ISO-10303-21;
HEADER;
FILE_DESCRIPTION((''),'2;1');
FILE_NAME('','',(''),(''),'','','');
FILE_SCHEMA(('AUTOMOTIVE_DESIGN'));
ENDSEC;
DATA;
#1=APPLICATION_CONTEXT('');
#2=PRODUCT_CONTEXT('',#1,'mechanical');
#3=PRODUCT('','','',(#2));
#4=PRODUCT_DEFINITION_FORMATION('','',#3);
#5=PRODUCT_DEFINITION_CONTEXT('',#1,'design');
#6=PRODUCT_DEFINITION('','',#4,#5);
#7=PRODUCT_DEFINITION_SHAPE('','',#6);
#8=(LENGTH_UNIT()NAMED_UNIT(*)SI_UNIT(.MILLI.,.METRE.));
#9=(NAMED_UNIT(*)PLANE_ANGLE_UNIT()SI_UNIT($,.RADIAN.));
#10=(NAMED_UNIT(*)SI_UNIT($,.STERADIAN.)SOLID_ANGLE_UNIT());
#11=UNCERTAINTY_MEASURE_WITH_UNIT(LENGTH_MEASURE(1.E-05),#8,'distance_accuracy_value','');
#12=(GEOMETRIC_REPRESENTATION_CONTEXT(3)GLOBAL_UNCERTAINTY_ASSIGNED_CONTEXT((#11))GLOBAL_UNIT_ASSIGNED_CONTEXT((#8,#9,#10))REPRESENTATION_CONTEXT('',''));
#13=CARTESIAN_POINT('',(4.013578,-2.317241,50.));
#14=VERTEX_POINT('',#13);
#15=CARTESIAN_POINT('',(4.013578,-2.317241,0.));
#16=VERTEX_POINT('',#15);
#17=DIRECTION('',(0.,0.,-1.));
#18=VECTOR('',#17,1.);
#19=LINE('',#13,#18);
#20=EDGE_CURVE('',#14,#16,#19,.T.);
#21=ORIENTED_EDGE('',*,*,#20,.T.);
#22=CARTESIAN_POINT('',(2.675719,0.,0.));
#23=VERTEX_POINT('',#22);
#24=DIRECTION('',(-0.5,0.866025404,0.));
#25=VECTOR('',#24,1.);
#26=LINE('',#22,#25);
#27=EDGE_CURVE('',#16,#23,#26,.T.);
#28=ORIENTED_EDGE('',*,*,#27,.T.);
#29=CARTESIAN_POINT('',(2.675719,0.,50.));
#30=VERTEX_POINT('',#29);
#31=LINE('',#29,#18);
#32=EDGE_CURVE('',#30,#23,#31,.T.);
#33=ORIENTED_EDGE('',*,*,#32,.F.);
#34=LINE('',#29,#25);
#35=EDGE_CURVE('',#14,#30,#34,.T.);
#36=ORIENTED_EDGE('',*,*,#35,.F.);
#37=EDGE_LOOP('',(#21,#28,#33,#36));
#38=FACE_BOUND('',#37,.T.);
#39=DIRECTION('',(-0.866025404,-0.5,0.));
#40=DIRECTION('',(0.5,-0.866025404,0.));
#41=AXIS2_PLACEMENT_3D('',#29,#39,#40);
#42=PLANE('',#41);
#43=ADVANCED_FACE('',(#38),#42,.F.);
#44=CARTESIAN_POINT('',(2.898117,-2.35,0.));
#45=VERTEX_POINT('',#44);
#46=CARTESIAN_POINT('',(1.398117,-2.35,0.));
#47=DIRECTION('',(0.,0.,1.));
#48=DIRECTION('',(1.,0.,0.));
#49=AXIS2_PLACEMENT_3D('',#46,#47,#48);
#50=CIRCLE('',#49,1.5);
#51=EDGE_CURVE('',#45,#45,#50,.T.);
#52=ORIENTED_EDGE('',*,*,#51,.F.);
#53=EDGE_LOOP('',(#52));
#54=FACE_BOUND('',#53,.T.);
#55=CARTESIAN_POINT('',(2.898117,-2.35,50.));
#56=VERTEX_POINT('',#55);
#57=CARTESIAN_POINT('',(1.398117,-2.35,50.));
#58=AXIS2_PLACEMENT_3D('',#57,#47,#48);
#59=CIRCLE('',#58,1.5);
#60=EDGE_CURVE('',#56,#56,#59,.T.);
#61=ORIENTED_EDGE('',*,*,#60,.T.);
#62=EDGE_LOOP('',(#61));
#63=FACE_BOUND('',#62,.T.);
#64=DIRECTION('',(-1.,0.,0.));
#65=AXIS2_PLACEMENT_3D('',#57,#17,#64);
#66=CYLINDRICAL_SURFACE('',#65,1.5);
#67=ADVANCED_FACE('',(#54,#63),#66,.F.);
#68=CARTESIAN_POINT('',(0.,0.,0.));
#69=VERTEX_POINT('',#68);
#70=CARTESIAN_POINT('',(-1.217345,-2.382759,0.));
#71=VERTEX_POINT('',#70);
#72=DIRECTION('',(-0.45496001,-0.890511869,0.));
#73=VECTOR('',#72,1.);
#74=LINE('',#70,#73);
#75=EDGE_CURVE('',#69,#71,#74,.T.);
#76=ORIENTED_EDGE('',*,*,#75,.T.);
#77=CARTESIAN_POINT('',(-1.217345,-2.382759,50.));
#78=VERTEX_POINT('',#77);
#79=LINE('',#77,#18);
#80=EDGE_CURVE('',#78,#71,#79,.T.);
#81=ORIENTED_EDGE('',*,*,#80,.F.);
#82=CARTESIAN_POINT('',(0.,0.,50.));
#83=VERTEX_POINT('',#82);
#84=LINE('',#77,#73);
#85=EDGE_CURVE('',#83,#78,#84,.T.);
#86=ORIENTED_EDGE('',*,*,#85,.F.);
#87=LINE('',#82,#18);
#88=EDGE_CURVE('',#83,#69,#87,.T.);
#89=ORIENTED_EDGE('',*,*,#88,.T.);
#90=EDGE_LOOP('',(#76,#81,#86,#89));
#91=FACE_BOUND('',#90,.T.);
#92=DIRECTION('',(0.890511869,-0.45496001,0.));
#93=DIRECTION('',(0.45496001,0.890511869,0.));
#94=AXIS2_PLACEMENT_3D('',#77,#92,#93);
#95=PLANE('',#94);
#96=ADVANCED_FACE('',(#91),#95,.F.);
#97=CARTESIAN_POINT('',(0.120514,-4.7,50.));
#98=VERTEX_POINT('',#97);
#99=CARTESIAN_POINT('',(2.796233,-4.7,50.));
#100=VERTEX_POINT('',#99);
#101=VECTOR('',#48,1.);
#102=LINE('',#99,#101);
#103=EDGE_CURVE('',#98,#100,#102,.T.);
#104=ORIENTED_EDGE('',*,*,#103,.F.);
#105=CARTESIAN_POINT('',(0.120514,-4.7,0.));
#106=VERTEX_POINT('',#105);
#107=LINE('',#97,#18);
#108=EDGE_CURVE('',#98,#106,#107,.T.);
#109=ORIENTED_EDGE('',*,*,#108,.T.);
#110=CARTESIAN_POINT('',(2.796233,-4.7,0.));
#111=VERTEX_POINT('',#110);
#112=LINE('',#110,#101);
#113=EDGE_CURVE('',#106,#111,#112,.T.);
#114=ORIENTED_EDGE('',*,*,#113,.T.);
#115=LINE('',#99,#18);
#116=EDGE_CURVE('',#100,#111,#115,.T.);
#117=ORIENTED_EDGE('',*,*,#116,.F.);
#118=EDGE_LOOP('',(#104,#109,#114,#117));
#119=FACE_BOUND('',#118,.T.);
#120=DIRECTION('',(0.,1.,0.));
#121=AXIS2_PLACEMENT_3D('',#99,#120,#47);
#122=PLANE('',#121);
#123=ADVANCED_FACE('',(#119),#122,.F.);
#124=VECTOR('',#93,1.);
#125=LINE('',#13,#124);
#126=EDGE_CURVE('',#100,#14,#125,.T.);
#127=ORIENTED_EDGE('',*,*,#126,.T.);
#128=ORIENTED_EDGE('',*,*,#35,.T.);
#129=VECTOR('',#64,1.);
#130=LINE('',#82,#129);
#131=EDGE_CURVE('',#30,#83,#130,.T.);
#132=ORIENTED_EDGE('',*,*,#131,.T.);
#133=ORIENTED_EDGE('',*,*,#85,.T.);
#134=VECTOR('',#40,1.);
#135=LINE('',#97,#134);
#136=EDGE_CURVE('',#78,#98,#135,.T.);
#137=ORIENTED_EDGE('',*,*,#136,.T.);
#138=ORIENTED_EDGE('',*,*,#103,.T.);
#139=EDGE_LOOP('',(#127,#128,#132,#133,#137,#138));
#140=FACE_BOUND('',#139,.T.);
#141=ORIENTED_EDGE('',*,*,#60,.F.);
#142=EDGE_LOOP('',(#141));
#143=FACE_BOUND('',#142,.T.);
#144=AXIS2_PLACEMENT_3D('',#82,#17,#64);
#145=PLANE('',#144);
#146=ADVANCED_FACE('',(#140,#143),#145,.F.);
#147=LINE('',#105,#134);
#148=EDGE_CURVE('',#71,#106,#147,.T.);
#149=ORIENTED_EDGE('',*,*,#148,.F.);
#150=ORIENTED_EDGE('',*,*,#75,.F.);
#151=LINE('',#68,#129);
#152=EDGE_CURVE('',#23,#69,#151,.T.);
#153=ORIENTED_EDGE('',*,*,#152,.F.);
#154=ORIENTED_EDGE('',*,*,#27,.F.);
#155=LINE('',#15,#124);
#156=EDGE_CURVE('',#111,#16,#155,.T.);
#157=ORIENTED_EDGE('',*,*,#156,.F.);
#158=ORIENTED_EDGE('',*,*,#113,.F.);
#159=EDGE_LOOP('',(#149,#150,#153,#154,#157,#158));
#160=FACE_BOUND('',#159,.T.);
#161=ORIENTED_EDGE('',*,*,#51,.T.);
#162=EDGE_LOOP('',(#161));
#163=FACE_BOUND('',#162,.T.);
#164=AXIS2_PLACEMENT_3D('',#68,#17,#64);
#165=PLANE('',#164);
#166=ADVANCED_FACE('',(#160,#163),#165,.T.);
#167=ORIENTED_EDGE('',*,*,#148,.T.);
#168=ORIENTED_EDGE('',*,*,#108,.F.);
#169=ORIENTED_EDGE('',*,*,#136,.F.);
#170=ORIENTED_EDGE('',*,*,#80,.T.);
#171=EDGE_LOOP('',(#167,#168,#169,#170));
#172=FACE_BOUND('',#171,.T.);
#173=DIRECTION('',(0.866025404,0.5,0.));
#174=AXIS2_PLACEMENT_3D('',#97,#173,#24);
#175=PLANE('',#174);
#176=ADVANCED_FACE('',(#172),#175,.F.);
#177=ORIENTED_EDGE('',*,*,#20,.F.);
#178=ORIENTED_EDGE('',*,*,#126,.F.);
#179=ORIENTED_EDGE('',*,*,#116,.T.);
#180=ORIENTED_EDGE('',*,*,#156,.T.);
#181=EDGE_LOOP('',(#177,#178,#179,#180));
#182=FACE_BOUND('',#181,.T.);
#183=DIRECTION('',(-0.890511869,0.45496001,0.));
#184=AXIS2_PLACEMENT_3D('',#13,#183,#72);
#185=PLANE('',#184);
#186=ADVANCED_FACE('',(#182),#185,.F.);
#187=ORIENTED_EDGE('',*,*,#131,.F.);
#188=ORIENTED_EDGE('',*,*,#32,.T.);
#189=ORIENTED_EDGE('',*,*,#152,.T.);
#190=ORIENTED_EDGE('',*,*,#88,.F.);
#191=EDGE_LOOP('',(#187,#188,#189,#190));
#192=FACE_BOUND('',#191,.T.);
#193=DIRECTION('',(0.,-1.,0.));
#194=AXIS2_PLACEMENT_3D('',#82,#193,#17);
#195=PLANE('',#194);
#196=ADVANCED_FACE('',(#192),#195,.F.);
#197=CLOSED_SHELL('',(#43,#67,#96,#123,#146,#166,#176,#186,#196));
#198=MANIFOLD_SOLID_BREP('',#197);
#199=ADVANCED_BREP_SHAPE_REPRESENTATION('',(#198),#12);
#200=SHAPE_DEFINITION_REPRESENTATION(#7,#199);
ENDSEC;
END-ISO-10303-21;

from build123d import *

# Parameters (mm, degrees)
EXTRUDE_1_DEPTH     = 50
SKETCH_2_R          = 1.5
CUT_EXTRUDE_1_DEPTH = 50


with BuildPart() as part:
    # 草图1 → 凸台-拉伸1 (new body)
    with BuildSketch(Plane.XY):
        Polygon((0, 0), (2.675718911, 0), (4.013578367, -2.317240551), (2.796233264, -4.7), (0.120514353, -4.7), (-1.217345103, -2.382759449), align=None)
    extrude(amount=EXTRUDE_1_DEPTH)

    # 草图2 → 切除-拉伸1 (cut)
    with BuildSketch(Plane.XY):
        with Locations((1.398116632, -2.35)):
            Circle(SKETCH_2_R)
    extrude(amount=CUT_EXTRUDE_1_DEPTH, mode=Mode.SUBTRACT)


solid = part.part
